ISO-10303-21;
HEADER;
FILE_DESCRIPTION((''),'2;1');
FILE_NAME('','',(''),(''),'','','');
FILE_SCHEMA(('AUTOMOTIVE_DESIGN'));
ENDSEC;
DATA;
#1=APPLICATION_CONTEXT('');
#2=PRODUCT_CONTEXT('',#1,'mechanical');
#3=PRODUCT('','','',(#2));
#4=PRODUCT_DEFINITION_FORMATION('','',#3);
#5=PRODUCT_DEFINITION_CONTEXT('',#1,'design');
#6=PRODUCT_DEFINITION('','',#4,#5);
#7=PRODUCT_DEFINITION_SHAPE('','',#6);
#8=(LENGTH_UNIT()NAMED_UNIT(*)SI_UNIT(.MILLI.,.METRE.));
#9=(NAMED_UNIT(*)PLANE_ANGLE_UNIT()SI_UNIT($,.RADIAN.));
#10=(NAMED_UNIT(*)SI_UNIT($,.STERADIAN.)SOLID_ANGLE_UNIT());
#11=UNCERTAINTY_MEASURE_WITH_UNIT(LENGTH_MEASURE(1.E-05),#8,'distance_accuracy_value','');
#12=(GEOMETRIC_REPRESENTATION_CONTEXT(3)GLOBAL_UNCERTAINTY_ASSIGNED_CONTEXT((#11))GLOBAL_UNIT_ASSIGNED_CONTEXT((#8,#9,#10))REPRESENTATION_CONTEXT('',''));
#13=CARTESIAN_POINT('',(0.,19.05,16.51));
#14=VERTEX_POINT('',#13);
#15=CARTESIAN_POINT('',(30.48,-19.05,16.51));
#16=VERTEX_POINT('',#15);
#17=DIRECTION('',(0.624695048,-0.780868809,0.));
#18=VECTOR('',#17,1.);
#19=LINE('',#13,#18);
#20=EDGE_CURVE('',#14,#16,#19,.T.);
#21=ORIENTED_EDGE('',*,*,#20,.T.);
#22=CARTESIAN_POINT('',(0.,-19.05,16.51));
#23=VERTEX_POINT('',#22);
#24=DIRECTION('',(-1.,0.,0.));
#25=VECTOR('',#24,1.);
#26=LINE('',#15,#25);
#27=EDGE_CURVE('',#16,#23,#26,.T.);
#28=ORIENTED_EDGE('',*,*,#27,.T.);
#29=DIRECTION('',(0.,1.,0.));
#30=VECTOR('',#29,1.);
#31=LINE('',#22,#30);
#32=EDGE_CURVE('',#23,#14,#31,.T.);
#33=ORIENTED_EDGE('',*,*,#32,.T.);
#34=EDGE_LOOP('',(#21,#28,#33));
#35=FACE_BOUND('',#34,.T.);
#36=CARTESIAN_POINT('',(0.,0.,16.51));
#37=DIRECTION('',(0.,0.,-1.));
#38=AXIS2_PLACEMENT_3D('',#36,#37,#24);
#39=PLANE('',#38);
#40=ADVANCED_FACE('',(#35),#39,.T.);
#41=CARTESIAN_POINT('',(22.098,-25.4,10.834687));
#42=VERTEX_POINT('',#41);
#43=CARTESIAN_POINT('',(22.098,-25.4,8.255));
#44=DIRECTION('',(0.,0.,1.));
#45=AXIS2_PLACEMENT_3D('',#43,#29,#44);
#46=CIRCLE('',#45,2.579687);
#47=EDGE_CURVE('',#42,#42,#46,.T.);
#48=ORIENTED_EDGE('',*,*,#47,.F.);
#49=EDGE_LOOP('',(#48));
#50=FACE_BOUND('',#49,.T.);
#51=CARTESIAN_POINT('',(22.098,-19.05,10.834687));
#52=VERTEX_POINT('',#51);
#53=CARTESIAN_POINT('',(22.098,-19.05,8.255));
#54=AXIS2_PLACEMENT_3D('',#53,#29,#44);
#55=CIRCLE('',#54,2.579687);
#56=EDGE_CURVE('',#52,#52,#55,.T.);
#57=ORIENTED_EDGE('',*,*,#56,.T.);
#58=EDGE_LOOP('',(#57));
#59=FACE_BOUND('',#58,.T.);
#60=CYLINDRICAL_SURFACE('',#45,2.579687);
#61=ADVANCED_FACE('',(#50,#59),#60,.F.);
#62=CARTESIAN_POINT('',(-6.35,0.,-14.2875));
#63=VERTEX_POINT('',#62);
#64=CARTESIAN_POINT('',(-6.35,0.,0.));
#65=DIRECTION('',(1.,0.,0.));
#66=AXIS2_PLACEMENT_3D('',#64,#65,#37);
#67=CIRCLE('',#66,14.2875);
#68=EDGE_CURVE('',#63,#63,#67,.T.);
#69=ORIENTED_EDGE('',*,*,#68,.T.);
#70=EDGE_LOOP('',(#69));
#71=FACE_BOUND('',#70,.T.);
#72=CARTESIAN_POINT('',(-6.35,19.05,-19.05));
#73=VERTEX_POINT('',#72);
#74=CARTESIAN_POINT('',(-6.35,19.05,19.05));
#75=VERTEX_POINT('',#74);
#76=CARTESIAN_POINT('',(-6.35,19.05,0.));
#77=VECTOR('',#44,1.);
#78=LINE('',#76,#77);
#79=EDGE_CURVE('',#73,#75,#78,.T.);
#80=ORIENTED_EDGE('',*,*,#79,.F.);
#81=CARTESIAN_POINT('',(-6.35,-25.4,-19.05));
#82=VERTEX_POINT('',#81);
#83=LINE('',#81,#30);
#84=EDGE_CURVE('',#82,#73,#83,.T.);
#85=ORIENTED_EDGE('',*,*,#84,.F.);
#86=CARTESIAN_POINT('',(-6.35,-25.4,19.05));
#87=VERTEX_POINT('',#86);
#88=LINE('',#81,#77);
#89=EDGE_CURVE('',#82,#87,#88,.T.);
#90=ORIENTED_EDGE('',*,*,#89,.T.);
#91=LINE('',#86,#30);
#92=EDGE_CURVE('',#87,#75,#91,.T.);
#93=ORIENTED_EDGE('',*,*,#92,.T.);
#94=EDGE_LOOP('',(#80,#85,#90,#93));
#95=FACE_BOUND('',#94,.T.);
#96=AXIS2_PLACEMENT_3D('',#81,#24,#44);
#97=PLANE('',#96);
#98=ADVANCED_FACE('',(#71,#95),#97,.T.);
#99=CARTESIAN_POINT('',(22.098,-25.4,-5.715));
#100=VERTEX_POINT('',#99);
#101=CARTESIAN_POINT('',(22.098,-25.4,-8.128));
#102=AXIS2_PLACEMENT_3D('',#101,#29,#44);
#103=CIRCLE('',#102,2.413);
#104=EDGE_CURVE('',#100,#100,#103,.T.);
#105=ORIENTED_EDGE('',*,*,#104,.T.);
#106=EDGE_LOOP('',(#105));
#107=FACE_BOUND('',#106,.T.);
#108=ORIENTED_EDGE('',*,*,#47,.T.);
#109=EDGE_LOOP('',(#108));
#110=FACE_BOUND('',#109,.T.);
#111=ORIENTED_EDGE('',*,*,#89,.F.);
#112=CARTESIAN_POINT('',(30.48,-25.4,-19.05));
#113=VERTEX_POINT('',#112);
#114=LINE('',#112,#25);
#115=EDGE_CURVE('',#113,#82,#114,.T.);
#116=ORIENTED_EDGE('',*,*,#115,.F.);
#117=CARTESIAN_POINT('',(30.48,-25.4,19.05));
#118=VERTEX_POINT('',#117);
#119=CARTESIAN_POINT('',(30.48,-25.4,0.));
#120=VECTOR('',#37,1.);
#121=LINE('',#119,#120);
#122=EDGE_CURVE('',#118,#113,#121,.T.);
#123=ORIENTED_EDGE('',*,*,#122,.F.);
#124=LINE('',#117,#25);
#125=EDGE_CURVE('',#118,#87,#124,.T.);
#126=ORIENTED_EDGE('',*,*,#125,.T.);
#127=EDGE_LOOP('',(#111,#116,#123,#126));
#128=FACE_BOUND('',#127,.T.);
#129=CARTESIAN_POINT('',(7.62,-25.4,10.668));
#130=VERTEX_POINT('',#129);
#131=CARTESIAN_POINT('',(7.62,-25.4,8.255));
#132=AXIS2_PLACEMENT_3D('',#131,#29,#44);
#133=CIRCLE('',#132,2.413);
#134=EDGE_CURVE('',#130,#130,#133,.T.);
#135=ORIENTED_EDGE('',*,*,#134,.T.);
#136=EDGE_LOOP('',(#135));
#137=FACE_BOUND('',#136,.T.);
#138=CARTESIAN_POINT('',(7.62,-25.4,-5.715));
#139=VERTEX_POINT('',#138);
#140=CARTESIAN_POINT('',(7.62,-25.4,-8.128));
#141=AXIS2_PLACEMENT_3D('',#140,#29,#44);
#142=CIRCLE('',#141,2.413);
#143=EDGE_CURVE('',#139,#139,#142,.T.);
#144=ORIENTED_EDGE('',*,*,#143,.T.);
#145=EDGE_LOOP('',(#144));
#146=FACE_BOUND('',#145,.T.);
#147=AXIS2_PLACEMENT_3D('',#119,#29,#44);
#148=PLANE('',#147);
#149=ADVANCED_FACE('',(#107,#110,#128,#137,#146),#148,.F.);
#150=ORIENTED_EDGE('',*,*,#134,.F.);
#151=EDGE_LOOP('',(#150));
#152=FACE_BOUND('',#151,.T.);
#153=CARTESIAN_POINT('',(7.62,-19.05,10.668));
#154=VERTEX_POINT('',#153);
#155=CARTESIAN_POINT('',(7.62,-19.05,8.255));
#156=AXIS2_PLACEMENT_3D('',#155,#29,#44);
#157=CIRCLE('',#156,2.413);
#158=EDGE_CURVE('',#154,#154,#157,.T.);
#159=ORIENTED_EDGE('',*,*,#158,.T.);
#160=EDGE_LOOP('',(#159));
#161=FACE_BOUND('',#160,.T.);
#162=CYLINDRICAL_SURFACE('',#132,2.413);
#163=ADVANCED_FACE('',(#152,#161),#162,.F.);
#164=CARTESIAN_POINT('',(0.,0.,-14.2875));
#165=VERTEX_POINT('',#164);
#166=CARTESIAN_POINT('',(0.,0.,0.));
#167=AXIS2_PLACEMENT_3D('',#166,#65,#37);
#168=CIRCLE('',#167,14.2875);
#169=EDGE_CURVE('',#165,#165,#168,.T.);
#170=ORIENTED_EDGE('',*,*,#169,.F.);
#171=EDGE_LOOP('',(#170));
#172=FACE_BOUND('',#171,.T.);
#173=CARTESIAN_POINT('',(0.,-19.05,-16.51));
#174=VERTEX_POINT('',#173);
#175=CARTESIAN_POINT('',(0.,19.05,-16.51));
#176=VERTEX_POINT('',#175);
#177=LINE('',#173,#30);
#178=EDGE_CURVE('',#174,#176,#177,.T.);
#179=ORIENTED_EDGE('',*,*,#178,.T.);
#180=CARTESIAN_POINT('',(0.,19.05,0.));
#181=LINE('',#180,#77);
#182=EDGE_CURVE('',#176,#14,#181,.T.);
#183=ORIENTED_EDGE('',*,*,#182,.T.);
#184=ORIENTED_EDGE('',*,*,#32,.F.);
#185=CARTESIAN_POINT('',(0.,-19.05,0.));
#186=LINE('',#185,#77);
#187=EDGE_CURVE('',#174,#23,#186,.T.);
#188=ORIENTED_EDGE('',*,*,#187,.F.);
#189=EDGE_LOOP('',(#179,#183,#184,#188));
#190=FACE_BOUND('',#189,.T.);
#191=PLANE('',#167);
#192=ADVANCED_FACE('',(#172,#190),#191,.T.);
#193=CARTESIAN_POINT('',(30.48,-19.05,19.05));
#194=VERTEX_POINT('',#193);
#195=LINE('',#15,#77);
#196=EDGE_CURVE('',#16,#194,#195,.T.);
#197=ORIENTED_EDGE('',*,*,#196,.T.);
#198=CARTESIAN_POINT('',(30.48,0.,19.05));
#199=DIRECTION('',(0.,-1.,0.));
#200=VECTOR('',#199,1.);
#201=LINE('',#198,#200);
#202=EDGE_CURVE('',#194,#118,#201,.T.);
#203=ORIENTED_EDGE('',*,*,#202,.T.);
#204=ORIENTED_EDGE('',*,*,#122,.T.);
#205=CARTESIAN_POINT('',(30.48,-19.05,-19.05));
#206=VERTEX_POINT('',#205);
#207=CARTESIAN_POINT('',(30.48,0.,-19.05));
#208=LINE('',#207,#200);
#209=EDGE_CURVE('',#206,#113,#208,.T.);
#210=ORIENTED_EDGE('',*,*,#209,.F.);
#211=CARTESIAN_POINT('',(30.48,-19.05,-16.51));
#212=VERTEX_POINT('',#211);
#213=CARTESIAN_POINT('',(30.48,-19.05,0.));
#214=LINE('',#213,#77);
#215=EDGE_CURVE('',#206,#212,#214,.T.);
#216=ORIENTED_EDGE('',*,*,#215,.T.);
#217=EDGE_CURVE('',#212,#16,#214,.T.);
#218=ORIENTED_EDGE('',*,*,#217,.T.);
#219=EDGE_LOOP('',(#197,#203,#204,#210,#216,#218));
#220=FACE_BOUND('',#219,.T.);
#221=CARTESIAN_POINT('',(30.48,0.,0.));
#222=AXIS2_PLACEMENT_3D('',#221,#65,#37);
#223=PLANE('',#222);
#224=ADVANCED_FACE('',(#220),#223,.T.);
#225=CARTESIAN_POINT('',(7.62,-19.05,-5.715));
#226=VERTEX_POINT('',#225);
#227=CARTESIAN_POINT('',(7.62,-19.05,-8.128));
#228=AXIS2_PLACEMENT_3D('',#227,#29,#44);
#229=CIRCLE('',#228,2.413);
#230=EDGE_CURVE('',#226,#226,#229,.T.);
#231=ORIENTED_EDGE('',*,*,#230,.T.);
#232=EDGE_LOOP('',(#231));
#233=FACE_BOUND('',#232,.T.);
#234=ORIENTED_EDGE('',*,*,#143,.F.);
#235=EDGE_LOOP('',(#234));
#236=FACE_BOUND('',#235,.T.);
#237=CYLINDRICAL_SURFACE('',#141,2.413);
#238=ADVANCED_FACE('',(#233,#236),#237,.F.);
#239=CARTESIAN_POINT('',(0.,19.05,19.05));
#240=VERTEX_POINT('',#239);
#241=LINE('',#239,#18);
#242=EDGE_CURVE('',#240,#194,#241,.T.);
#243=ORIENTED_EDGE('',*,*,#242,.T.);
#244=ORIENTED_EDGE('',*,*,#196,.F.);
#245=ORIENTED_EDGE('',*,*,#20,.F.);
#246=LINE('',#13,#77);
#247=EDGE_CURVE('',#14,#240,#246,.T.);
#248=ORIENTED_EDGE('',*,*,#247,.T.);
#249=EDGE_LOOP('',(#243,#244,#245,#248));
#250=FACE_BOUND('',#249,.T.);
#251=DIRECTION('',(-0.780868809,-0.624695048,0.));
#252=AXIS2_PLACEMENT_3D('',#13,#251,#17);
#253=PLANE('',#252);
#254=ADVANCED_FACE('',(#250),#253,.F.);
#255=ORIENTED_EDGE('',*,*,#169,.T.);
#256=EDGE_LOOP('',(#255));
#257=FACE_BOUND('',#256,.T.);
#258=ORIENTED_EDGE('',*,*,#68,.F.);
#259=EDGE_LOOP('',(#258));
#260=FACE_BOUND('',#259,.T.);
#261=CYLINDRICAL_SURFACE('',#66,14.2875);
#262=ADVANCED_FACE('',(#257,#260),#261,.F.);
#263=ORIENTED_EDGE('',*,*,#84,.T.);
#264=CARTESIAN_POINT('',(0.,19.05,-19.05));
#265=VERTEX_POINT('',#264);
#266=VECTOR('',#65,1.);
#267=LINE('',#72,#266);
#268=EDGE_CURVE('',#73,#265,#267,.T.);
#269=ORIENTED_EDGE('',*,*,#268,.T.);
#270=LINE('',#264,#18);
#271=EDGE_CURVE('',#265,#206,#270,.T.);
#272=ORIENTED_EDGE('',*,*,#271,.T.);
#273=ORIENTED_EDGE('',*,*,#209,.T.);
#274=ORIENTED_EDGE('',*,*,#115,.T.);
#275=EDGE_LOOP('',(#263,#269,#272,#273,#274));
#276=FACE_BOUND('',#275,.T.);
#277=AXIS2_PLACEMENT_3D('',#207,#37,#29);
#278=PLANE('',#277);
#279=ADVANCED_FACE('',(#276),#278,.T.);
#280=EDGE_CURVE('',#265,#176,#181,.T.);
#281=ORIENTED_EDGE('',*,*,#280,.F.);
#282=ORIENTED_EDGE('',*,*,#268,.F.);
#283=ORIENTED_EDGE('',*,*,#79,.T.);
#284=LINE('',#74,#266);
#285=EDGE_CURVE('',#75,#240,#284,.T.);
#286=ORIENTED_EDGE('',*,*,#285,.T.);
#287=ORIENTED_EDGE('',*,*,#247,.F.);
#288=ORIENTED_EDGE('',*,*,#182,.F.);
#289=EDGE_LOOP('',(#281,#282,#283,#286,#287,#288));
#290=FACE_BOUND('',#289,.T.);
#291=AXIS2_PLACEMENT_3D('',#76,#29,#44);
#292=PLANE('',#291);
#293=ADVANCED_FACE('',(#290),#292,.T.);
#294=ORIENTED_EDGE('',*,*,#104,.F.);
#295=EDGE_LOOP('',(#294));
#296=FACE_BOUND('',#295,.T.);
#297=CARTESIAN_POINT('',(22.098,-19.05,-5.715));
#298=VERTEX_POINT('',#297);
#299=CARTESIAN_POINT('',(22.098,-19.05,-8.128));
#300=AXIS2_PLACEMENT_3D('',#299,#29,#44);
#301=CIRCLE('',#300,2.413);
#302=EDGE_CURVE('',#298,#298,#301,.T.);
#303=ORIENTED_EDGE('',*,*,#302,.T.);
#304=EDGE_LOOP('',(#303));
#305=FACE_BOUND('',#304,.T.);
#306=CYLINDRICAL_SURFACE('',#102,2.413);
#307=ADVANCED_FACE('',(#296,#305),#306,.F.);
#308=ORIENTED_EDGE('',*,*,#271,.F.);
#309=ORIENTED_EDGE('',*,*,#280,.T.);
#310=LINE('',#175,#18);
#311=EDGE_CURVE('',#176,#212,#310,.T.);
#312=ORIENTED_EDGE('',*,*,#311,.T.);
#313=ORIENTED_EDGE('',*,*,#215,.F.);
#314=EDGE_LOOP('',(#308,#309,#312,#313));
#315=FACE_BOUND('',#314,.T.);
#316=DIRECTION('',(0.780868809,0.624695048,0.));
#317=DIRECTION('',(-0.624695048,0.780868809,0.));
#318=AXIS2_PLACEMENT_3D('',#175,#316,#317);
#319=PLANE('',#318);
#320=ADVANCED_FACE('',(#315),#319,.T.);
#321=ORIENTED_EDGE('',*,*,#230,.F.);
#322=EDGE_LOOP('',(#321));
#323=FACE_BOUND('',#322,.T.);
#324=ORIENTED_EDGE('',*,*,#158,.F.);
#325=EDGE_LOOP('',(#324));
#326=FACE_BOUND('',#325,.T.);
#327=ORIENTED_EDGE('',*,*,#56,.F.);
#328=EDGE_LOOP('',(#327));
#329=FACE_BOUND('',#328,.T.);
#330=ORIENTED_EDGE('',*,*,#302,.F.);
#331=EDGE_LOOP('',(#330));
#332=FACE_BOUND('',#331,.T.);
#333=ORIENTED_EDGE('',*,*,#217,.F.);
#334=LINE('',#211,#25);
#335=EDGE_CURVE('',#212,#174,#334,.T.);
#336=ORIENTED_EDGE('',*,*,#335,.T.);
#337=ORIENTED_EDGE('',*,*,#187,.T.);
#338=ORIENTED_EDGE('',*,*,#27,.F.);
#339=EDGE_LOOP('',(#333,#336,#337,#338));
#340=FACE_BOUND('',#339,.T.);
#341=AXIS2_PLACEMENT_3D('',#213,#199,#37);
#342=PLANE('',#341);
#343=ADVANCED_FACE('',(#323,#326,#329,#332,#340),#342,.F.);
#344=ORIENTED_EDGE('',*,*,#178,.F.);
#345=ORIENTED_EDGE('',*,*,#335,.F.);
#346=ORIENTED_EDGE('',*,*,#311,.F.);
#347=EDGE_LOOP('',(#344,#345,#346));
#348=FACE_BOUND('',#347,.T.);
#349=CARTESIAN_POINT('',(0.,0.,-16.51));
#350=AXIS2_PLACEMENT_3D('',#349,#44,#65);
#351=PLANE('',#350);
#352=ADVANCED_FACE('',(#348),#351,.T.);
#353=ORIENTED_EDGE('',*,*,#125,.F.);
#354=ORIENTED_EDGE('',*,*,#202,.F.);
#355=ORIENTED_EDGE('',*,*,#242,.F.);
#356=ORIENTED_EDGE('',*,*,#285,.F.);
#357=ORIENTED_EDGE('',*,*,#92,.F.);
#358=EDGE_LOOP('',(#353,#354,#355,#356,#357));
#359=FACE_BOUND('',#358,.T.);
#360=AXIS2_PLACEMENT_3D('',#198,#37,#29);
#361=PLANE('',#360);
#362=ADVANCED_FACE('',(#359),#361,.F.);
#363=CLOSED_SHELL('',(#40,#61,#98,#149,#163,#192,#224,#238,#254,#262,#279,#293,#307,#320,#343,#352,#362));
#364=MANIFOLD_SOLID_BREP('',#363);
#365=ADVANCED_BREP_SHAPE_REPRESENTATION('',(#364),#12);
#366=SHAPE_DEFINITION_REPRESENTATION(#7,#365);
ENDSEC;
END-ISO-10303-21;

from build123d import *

# Parameters (mm, degrees)
SKETCH1_W           = 38.1
SKETCH1_H           = 6.35
BOSS_EXTRUDE1_DEPTH = 30.48
SKETCH1_3_W         = 38.1
SKETCH1_3_H         = 38.1
SKETCH1_3_R         = 14.2875
BOSS_EXTRUDE2_DEPTH = 6.35
SKETCH3_W           = 6.35
SKETCH3_H           = 38.1
BOSS_EXTRUDE3_DEPTH = 6.35
BOSS_EXTRUDE4_DEPTH = 2.54
BOSS_EXTRUDE5_DEPTH = 2.54
SKETCH6_R           = 2.413
SKETCH6_R_2         = 2.5796875
CUT_EXTRUDE1_DEPTH  = 7.35


with BuildPart() as part:
    # Sketch1 → Boss-Extrude1 (new body)
    with BuildSketch(Plane(origin=(0, 0, 0), x_dir=(0, 0, -1), z_dir=(1, 0, 0))):
        with Locations((0, -22.225)):
            Rectangle(SKETCH1_W, SKETCH1_H)
    extrude(amount=BOSS_EXTRUDE1_DEPTH)



with BuildPart() as body_2:
    # Sketch1<3> → Boss-Extrude2 (new body)
    with BuildSketch(Plane(origin=(0, 0, 0), x_dir=(0, 0, -1), z_dir=(1, 0, 0))):
        Rectangle(SKETCH1_3_W, SKETCH1_3_H)
        Circle(SKETCH1_3_R, mode=Mode.SUBTRACT)
    extrude(amount=-BOSS_EXTRUDE2_DEPTH)


with BuildPart() as part_1:
    add(part.part)

    add(body_2.part)  # Boss-Extrude3 merges body 2
    # Sketch3 → Boss-Extrude3 (add)
    with BuildSketch(Plane.XZ.offset(19.05)):
        with Locations((-3.175, 0)):
            Rectangle(SKETCH3_W, SKETCH3_H)
    extrude(amount=BOSS_EXTRUDE3_DEPTH)

    # Sketch4 → Boss-Extrude4 (add)
    with BuildSketch(Plane.XY.offset(19.05)):
        Polygon((0, 19.05), (30.48, -19.05), (0, -19.05), align=None)
    extrude(amount=-BOSS_EXTRUDE4_DEPTH)

    # Sketch5 → Boss-Extrude5 (add)
    with BuildSketch(Plane(origin=(0, 0, -19.05), x_dir=(-1, 0, 0), z_dir=(0, 0, -1))):
        Polygon((0, 19.05), (-30.48, -19.05), (0, -19.05), align=None)
    extrude(amount=-BOSS_EXTRUDE5_DEPTH)

    # Sketch6 → Cut-Extrude1 (cut, through all)
    with BuildSketch(Plane(origin=(0, -19.05, 0), x_dir=(1, 0, 0), z_dir=(0, 1, 0))):
        with Locations((7.62, -8.255)):
            Circle(SKETCH6_R)
        with Locations((22.098, -8.255)):
            Circle(SKETCH6_R_2)
        with Locations((22.098, 8.128)):
            Circle(SKETCH6_R)
        with Locations((7.62, 8.128)):
            Circle(SKETCH6_R)
    extrude(amount=-CUT_EXTRUDE1_DEPTH, mode=Mode.SUBTRACT)


solid = part_1.part
